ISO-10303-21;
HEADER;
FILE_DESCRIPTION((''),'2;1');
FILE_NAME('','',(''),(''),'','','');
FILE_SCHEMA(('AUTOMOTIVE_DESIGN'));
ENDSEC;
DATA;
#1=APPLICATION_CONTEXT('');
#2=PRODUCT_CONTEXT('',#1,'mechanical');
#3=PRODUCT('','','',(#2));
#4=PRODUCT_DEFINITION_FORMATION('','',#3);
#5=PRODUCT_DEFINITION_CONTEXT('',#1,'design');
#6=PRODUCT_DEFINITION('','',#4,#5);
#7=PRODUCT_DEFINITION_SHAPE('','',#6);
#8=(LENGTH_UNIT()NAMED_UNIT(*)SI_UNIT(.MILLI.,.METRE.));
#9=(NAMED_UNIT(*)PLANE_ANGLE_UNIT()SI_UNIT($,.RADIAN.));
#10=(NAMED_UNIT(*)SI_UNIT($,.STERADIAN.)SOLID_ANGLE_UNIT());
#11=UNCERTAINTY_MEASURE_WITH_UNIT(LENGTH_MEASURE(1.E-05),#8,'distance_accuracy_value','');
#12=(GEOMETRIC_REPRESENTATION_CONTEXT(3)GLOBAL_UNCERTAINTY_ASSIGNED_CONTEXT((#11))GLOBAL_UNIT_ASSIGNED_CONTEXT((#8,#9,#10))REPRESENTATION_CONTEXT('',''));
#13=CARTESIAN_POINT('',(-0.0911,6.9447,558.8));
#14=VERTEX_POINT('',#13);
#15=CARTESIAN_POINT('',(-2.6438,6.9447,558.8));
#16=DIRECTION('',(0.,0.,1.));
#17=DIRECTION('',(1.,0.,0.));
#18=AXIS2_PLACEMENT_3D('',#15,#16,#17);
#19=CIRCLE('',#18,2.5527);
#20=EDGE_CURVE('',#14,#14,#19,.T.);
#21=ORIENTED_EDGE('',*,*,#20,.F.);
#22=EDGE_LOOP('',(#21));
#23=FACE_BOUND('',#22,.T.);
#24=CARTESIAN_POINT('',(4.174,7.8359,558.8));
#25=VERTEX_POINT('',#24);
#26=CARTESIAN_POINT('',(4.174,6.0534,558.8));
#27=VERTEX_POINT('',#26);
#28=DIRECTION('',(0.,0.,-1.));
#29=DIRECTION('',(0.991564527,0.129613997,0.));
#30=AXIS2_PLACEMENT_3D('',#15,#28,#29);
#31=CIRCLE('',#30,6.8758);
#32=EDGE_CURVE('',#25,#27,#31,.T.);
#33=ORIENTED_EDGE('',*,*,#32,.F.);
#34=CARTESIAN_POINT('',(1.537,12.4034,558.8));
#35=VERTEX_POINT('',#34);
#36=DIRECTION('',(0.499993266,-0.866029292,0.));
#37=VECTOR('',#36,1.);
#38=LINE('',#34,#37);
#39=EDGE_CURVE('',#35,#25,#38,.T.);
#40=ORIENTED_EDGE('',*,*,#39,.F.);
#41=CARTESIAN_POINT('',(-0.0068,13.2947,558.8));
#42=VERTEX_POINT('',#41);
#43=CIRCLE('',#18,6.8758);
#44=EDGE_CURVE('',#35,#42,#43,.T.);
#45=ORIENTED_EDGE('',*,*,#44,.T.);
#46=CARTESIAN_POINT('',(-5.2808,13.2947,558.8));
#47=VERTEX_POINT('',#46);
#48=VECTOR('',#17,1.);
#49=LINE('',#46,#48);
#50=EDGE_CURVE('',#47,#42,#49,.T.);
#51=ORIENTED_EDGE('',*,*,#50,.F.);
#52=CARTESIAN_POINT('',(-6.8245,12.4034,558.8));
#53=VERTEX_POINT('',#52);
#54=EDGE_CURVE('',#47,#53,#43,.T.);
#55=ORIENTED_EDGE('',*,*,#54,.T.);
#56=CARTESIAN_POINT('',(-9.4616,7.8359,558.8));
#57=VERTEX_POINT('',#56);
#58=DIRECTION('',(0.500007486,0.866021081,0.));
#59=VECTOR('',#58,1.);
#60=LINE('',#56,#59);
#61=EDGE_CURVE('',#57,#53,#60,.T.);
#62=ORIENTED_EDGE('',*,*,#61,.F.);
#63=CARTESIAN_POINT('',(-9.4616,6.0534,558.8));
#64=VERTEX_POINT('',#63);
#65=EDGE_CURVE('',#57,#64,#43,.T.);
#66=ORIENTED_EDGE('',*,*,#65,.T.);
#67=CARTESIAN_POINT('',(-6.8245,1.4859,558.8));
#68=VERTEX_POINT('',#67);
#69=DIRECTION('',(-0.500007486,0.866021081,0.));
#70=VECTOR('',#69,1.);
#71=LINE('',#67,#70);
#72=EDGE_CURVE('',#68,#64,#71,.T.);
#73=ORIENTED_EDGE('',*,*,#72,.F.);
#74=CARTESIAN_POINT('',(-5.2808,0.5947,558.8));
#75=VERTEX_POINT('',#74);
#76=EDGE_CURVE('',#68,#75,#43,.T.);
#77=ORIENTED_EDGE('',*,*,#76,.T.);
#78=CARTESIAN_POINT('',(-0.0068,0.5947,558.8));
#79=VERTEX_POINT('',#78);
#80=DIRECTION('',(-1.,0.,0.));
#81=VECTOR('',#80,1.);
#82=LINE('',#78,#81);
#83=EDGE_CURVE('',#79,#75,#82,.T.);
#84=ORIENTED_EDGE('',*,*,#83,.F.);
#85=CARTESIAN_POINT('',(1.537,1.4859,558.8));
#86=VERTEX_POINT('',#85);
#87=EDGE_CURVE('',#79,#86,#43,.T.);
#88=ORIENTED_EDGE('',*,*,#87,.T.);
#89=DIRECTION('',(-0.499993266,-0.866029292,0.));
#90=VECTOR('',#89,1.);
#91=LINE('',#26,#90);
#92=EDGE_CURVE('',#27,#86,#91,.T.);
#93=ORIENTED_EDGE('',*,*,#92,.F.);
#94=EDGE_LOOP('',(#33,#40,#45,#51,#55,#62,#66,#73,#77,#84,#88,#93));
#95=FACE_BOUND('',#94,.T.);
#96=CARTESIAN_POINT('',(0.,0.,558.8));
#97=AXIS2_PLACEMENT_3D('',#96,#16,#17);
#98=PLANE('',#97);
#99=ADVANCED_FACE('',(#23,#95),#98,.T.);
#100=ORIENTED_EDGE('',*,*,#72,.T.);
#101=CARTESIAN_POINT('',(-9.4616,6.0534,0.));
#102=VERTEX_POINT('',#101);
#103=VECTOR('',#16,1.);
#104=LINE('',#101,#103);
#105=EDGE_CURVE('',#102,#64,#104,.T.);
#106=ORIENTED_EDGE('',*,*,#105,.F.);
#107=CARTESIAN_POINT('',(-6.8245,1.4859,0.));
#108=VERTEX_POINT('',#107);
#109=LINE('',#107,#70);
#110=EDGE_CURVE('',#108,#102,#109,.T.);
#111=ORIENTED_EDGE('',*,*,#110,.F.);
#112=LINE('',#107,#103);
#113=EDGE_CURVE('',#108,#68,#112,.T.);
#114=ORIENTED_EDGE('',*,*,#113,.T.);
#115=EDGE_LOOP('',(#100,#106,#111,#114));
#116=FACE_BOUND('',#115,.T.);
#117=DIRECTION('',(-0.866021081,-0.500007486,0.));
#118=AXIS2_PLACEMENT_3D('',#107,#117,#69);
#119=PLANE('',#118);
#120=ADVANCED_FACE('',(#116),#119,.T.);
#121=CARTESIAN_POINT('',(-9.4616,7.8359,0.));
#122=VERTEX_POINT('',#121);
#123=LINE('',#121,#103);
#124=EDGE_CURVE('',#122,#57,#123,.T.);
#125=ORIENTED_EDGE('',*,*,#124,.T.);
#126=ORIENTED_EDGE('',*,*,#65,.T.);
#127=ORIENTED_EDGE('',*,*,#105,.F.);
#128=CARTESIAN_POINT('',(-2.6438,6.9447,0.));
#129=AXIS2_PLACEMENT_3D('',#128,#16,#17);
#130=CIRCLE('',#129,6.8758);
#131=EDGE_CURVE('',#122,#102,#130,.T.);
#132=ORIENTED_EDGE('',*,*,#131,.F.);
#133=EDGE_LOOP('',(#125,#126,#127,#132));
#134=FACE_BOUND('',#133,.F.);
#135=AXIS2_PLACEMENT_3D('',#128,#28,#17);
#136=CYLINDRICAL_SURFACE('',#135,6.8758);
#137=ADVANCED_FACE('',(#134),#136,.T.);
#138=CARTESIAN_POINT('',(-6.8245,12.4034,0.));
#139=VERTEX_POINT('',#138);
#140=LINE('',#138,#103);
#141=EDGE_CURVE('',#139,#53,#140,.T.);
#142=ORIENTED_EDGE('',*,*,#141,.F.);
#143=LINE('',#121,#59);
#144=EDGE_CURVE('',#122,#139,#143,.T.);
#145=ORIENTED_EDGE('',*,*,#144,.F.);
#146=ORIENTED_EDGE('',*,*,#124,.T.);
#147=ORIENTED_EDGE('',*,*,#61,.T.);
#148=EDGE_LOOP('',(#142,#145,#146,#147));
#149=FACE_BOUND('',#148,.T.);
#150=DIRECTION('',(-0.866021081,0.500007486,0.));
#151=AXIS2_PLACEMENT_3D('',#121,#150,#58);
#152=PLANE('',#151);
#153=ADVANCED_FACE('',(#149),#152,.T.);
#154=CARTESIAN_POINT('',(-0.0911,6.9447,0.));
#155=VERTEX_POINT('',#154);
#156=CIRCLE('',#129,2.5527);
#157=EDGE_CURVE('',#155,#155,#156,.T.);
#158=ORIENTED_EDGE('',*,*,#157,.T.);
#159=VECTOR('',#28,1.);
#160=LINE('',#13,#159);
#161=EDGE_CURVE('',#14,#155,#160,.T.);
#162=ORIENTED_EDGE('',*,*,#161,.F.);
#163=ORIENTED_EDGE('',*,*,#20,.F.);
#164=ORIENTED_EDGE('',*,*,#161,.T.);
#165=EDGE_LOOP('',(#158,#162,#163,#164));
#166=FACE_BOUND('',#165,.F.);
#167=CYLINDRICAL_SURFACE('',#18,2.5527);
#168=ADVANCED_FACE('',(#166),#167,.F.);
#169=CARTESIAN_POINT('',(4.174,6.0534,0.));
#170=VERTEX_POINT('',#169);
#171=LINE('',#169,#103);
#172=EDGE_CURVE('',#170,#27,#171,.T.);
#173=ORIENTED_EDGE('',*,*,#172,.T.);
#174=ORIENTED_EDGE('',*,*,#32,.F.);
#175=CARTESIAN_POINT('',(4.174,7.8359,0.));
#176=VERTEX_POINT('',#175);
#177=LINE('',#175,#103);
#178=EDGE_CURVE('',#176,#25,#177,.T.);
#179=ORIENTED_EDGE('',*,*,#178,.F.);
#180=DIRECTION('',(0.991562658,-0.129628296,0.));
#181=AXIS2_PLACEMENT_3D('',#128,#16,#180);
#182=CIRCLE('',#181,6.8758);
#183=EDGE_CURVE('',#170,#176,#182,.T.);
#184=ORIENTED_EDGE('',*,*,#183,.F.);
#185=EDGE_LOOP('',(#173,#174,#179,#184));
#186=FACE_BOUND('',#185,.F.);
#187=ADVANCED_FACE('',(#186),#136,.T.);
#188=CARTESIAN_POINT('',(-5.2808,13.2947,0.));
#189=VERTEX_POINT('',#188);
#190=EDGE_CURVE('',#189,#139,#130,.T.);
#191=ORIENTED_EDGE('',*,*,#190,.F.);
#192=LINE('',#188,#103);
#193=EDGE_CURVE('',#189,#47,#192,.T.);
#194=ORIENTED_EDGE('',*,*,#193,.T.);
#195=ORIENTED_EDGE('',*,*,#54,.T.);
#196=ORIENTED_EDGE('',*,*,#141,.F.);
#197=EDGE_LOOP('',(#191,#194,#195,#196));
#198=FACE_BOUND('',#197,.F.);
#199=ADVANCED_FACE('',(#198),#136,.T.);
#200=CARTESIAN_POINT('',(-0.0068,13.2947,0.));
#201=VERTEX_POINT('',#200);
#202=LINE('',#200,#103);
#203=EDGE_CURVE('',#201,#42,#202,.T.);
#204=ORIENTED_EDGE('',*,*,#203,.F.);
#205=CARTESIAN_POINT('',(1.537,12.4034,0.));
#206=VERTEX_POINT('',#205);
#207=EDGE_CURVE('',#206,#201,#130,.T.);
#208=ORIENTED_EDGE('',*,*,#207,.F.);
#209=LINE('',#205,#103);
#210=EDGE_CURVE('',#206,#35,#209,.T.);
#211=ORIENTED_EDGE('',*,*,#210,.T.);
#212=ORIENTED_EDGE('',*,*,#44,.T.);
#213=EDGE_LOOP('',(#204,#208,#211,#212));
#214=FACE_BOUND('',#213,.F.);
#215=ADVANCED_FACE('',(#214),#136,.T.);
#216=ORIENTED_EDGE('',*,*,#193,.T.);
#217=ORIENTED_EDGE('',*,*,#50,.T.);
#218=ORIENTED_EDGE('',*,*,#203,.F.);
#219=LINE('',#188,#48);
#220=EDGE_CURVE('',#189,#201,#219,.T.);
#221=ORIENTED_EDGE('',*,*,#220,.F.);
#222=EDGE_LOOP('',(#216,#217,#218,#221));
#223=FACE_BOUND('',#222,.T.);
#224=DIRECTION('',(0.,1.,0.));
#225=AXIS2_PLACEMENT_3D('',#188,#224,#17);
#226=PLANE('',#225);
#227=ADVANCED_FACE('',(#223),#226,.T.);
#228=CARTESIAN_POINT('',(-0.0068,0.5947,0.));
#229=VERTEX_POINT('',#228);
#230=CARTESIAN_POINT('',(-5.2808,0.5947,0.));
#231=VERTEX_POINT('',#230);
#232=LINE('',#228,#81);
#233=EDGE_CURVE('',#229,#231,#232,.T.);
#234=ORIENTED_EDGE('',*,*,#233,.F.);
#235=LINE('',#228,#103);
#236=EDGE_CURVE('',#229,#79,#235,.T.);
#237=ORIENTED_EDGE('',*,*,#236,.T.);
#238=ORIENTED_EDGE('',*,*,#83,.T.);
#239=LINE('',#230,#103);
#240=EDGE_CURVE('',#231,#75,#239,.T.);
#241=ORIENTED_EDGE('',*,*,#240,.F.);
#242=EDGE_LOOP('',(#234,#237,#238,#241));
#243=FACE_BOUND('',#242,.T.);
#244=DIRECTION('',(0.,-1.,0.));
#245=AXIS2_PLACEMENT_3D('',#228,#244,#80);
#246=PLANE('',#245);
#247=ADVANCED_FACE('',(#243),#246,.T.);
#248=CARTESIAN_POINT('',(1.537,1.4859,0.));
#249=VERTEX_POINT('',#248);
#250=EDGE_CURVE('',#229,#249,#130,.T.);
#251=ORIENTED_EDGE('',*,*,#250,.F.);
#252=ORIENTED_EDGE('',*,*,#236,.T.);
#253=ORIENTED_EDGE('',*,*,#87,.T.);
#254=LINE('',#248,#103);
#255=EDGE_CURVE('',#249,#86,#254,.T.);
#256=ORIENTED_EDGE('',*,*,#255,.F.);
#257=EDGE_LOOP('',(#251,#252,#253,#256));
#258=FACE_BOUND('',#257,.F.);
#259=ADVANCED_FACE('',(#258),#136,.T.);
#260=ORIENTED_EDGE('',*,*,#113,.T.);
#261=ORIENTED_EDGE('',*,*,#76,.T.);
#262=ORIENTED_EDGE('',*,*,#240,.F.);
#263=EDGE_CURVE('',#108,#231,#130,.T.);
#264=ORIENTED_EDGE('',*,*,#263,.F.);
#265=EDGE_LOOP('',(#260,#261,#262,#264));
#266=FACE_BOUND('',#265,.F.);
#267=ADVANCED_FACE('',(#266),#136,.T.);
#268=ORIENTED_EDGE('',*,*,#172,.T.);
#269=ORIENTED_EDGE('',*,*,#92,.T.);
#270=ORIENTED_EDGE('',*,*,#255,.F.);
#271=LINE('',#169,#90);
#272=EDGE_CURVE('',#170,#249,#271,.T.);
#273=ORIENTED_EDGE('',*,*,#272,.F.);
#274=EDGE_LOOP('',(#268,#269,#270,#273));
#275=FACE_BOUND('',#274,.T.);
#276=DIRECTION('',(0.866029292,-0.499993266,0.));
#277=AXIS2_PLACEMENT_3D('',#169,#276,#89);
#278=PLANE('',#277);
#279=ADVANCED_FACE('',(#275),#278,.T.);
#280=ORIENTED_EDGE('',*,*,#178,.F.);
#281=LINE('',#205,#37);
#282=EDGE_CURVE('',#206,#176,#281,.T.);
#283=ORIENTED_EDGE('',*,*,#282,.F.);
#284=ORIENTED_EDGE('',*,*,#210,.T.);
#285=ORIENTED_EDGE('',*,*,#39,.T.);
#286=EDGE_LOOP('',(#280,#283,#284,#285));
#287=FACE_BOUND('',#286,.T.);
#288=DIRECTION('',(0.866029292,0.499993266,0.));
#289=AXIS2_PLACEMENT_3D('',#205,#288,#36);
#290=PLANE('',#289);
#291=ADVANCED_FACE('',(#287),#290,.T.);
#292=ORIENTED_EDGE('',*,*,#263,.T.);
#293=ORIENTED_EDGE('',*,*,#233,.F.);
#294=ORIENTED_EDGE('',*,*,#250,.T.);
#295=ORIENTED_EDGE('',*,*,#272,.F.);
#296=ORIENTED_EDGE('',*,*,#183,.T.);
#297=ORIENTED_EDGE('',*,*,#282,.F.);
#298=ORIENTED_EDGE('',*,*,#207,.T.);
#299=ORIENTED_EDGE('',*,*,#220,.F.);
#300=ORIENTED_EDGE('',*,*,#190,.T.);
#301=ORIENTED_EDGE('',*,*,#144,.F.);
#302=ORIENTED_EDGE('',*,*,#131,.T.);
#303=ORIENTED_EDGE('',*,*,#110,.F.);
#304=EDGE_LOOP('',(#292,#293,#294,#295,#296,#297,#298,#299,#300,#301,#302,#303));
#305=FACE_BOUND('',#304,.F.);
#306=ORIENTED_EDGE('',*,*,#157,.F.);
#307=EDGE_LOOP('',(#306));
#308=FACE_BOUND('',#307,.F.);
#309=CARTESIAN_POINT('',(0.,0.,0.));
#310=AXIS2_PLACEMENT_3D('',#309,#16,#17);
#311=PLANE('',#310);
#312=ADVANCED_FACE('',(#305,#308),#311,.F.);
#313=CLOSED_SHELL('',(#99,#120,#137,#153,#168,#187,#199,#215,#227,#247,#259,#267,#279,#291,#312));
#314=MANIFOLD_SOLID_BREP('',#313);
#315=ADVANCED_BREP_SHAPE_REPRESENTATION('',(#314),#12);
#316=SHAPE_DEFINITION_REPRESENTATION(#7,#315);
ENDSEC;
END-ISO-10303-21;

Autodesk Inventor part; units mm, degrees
ref_plane "YZ Plane" through (0, 0, 0) normal (1, 0, 0) x (0, 1, 0)
ref_plane "XZ Plane" through (0, 0, 0) normal (0, 1, 0) x (-1, 0, 0)
ref_plane "XY Plane" through (0, 0, 0) normal (0, 0, 1) x (1, 0, 0)
sketch "Sketch1" plane through (0, 0, 0) normal (0, 0, 1) x (1, 0, 0)
  circle A0 centre (-2.6438, 6.9447) radius 6.8758
  line L0 (-9.4616, 7.8359) -> (-6.8245, 12.4034)
  line L1 (-6.8245, 1.4859) -> (-9.4616, 6.0534)
  line L2 (-0.0068, 0.5947) -> (-5.2808, 0.5947)
  line L3 (4.174, 6.0534) -> (1.537, 1.4859)
  line L4 (1.537, 12.4034) -> (4.174, 7.8359)
  line L5 (-5.2808, 13.2947) -> (-0.0068, 13.2947)
  point P0 (0, 0)
  point P1 (1.537, 1.4859)
  dimension "d0" = 13.7516
  dimension "d4" = 360
extrude "Extrusion1" add sketch "Sketch1" along normal blind 558.8 contours A0 L3 L2 L1 L0 L5 L4
sketch "Sketch2" plane through (0, 0, 558.8) normal (0, 0, 1) x (1, 0, 0)
  circle A0 centre (-2.6438, 6.9447) radius 2.5527
  line L0 (-5.2808, 0.5947) -> (-0.0068, 0.5947) projected
  line L1 (-2.6438, 6.9447) -> (-5.2808, 0.5947) construction
  line L2 (-2.6438, 6.9447) -> (-0.0068, 0.5947) construction
  point P0 (0, 0)
  dimension "d8" = 5.1054
  dimension "d9" = 6.35
extrude "Extrusion2" cut sketch "Sketch2" against normal blind 558.8
equation "\"d6\" = d5"
equation "\"d10\" = d5"
equation "\"d5\" = 558.8"
properties part number "9inthundershaft" material "Aluminum 6061"
